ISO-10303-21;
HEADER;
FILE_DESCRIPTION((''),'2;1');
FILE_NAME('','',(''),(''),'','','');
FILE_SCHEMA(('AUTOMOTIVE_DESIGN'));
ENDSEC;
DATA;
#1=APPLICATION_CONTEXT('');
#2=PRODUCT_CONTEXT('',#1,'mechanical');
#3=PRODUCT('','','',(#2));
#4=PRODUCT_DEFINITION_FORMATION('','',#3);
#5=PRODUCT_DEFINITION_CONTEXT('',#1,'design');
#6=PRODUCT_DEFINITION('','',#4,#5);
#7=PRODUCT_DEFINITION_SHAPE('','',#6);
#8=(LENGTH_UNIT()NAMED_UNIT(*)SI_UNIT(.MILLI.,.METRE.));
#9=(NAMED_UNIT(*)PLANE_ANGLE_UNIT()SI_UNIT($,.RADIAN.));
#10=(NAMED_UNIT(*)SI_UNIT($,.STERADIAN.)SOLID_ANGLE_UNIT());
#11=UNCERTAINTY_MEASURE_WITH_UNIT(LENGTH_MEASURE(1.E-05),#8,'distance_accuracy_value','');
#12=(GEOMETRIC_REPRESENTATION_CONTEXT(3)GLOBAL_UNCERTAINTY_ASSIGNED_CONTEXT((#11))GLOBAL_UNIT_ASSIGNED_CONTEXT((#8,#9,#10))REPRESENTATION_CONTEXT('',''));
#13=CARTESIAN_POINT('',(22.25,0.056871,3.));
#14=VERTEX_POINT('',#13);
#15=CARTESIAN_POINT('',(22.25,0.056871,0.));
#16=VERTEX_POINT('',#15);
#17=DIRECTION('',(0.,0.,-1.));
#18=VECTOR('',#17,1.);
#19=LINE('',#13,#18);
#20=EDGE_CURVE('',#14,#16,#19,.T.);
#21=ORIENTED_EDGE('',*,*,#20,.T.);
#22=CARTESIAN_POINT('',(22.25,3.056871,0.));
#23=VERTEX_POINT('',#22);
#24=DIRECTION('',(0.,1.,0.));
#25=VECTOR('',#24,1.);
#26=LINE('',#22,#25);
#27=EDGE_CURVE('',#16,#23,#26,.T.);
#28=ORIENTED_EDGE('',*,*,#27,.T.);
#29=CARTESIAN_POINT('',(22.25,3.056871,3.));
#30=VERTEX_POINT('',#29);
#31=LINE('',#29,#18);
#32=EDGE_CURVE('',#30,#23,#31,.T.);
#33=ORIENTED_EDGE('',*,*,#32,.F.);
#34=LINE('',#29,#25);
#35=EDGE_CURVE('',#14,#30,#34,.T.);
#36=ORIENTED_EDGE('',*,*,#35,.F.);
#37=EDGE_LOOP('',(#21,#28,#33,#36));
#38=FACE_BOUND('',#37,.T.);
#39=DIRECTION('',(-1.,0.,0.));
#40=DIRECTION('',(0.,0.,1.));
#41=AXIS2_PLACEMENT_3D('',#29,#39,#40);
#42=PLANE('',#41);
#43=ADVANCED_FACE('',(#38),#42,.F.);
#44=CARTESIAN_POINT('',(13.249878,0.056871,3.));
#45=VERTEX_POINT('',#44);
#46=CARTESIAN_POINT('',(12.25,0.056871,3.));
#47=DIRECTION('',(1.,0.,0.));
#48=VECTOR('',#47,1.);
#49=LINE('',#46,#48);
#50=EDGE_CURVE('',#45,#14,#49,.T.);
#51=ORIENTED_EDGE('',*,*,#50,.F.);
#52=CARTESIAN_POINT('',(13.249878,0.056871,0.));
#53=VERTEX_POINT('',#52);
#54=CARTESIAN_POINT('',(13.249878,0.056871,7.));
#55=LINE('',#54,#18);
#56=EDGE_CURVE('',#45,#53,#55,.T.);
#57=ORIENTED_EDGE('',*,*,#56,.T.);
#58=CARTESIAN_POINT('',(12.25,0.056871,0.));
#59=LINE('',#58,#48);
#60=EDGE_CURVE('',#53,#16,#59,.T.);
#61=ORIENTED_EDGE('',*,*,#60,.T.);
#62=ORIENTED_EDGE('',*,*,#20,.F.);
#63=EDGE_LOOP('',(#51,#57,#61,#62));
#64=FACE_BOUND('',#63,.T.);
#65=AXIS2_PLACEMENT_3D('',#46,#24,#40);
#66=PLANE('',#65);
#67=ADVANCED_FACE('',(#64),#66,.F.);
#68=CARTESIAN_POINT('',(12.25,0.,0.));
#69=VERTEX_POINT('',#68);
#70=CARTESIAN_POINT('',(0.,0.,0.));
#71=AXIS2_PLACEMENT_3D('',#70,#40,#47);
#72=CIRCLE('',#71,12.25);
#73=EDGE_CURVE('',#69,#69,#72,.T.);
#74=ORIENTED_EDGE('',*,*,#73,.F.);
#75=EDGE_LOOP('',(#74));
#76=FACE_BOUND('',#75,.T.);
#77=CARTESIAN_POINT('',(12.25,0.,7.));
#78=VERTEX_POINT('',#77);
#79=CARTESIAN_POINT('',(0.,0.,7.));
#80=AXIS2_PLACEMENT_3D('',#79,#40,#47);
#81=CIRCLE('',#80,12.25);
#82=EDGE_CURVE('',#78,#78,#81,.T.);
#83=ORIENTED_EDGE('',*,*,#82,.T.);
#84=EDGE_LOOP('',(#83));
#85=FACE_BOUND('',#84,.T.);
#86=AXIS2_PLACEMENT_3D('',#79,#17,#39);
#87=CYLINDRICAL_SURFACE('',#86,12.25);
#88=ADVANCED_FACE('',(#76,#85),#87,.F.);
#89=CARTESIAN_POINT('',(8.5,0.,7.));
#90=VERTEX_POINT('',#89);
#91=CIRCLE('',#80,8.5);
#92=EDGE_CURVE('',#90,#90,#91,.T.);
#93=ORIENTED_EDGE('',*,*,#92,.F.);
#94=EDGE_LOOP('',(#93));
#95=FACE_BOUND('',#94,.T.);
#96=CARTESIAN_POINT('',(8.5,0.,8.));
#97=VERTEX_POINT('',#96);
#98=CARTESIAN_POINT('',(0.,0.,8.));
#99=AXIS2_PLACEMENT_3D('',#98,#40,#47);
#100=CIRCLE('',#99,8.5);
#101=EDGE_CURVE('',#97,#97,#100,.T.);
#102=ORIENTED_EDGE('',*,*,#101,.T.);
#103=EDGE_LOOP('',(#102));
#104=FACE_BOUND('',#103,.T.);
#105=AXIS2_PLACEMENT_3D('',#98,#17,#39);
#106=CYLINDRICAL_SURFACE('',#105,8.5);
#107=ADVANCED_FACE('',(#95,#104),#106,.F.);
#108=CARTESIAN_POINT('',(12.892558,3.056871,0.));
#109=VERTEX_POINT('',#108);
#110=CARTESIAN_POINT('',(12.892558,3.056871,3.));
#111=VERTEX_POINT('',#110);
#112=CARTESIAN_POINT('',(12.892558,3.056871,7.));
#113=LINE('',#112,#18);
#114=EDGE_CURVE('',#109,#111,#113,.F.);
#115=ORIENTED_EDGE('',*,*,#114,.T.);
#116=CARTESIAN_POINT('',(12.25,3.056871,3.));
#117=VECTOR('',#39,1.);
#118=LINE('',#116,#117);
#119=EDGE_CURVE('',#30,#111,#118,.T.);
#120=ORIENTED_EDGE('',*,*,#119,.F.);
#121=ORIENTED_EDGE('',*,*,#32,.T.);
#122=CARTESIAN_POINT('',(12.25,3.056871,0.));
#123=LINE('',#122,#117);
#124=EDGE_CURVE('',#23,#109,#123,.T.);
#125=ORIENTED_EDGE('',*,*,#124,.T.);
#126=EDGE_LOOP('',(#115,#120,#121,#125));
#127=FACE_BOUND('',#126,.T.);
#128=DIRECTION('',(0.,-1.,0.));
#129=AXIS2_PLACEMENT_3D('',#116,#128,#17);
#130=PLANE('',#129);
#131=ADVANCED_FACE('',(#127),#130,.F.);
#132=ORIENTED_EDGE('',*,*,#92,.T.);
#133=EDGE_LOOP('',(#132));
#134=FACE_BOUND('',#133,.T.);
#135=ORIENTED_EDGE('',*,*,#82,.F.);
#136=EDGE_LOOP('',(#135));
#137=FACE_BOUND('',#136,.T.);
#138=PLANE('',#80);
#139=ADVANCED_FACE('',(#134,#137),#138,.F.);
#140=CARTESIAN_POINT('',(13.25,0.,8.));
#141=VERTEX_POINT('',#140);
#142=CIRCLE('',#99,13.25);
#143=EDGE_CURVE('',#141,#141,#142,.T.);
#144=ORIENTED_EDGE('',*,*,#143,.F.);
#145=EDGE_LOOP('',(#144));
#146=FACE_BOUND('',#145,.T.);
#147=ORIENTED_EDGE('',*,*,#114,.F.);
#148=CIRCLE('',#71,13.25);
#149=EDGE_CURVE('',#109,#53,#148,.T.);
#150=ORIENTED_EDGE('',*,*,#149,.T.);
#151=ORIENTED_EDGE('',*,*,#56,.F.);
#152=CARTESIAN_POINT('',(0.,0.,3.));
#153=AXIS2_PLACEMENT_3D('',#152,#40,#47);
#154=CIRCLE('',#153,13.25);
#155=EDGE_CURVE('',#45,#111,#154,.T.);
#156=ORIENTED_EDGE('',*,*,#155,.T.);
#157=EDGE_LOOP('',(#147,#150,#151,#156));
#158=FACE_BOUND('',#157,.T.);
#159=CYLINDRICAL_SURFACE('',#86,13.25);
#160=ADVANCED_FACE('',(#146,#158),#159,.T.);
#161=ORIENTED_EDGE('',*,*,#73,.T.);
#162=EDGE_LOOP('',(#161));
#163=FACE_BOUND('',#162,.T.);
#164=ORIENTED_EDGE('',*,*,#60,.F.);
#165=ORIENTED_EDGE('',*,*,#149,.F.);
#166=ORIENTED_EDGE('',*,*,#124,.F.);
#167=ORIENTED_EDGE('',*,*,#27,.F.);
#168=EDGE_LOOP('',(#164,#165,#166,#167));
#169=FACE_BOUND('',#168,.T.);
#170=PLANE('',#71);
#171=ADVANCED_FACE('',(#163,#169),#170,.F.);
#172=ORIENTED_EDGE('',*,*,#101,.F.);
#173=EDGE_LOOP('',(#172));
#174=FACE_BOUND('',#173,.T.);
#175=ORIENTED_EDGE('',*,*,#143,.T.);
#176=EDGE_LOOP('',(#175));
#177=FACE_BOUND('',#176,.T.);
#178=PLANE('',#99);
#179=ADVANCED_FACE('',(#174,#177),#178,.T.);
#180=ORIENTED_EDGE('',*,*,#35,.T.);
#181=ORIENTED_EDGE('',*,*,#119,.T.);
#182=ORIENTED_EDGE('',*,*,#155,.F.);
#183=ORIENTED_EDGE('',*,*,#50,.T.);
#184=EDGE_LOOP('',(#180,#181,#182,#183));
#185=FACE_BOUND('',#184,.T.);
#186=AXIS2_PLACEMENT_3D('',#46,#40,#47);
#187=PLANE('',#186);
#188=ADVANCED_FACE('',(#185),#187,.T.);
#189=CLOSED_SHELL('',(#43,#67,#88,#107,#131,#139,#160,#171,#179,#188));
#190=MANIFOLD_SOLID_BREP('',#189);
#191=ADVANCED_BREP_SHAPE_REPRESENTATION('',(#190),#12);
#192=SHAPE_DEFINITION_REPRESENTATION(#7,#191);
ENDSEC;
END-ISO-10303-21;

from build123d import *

# Parameters (mm, degrees)
SKETCH_1_R      = 13.25
SKETCH_1_R_2    = 12.25
EXTRUDE_1_DEPTH = 7
SKETCH_2_R      = 13.25
SKETCH_2_R_2    = 8.5
EXTRUDE_2_DEPTH = 1
SKETCH_3_W      = 10
SKETCH_3_H      = 3
EXTRUDE_3_DEPTH = 3


with BuildPart() as part:
    # ｽｹｯﾁ1 → ﾎﾞｽ - 押し出し1 (new body)
    with BuildSketch(Plane.XY):
        Circle(SKETCH_1_R)
        Circle(SKETCH_1_R_2, mode=Mode.SUBTRACT)
    extrude(amount=EXTRUDE_1_DEPTH)

    # ｽｹｯﾁ2 → ﾎﾞｽ - 押し出し2 (add)
    with BuildSketch(Plane.XY.offset(7)):
        Circle(SKETCH_2_R)
        Circle(SKETCH_2_R_2, mode=Mode.SUBTRACT)
    extrude(amount=EXTRUDE_2_DEPTH)

    # ｽｹｯﾁ3 → ﾎﾞｽ - 押し出し3 (add)
    with BuildSketch(Plane.XY):
        with Locations((17.25, 1.556870996)):
            Rectangle(SKETCH_3_W, SKETCH_3_H)
    extrude(amount=EXTRUDE_3_DEPTH)


solid = part.part
